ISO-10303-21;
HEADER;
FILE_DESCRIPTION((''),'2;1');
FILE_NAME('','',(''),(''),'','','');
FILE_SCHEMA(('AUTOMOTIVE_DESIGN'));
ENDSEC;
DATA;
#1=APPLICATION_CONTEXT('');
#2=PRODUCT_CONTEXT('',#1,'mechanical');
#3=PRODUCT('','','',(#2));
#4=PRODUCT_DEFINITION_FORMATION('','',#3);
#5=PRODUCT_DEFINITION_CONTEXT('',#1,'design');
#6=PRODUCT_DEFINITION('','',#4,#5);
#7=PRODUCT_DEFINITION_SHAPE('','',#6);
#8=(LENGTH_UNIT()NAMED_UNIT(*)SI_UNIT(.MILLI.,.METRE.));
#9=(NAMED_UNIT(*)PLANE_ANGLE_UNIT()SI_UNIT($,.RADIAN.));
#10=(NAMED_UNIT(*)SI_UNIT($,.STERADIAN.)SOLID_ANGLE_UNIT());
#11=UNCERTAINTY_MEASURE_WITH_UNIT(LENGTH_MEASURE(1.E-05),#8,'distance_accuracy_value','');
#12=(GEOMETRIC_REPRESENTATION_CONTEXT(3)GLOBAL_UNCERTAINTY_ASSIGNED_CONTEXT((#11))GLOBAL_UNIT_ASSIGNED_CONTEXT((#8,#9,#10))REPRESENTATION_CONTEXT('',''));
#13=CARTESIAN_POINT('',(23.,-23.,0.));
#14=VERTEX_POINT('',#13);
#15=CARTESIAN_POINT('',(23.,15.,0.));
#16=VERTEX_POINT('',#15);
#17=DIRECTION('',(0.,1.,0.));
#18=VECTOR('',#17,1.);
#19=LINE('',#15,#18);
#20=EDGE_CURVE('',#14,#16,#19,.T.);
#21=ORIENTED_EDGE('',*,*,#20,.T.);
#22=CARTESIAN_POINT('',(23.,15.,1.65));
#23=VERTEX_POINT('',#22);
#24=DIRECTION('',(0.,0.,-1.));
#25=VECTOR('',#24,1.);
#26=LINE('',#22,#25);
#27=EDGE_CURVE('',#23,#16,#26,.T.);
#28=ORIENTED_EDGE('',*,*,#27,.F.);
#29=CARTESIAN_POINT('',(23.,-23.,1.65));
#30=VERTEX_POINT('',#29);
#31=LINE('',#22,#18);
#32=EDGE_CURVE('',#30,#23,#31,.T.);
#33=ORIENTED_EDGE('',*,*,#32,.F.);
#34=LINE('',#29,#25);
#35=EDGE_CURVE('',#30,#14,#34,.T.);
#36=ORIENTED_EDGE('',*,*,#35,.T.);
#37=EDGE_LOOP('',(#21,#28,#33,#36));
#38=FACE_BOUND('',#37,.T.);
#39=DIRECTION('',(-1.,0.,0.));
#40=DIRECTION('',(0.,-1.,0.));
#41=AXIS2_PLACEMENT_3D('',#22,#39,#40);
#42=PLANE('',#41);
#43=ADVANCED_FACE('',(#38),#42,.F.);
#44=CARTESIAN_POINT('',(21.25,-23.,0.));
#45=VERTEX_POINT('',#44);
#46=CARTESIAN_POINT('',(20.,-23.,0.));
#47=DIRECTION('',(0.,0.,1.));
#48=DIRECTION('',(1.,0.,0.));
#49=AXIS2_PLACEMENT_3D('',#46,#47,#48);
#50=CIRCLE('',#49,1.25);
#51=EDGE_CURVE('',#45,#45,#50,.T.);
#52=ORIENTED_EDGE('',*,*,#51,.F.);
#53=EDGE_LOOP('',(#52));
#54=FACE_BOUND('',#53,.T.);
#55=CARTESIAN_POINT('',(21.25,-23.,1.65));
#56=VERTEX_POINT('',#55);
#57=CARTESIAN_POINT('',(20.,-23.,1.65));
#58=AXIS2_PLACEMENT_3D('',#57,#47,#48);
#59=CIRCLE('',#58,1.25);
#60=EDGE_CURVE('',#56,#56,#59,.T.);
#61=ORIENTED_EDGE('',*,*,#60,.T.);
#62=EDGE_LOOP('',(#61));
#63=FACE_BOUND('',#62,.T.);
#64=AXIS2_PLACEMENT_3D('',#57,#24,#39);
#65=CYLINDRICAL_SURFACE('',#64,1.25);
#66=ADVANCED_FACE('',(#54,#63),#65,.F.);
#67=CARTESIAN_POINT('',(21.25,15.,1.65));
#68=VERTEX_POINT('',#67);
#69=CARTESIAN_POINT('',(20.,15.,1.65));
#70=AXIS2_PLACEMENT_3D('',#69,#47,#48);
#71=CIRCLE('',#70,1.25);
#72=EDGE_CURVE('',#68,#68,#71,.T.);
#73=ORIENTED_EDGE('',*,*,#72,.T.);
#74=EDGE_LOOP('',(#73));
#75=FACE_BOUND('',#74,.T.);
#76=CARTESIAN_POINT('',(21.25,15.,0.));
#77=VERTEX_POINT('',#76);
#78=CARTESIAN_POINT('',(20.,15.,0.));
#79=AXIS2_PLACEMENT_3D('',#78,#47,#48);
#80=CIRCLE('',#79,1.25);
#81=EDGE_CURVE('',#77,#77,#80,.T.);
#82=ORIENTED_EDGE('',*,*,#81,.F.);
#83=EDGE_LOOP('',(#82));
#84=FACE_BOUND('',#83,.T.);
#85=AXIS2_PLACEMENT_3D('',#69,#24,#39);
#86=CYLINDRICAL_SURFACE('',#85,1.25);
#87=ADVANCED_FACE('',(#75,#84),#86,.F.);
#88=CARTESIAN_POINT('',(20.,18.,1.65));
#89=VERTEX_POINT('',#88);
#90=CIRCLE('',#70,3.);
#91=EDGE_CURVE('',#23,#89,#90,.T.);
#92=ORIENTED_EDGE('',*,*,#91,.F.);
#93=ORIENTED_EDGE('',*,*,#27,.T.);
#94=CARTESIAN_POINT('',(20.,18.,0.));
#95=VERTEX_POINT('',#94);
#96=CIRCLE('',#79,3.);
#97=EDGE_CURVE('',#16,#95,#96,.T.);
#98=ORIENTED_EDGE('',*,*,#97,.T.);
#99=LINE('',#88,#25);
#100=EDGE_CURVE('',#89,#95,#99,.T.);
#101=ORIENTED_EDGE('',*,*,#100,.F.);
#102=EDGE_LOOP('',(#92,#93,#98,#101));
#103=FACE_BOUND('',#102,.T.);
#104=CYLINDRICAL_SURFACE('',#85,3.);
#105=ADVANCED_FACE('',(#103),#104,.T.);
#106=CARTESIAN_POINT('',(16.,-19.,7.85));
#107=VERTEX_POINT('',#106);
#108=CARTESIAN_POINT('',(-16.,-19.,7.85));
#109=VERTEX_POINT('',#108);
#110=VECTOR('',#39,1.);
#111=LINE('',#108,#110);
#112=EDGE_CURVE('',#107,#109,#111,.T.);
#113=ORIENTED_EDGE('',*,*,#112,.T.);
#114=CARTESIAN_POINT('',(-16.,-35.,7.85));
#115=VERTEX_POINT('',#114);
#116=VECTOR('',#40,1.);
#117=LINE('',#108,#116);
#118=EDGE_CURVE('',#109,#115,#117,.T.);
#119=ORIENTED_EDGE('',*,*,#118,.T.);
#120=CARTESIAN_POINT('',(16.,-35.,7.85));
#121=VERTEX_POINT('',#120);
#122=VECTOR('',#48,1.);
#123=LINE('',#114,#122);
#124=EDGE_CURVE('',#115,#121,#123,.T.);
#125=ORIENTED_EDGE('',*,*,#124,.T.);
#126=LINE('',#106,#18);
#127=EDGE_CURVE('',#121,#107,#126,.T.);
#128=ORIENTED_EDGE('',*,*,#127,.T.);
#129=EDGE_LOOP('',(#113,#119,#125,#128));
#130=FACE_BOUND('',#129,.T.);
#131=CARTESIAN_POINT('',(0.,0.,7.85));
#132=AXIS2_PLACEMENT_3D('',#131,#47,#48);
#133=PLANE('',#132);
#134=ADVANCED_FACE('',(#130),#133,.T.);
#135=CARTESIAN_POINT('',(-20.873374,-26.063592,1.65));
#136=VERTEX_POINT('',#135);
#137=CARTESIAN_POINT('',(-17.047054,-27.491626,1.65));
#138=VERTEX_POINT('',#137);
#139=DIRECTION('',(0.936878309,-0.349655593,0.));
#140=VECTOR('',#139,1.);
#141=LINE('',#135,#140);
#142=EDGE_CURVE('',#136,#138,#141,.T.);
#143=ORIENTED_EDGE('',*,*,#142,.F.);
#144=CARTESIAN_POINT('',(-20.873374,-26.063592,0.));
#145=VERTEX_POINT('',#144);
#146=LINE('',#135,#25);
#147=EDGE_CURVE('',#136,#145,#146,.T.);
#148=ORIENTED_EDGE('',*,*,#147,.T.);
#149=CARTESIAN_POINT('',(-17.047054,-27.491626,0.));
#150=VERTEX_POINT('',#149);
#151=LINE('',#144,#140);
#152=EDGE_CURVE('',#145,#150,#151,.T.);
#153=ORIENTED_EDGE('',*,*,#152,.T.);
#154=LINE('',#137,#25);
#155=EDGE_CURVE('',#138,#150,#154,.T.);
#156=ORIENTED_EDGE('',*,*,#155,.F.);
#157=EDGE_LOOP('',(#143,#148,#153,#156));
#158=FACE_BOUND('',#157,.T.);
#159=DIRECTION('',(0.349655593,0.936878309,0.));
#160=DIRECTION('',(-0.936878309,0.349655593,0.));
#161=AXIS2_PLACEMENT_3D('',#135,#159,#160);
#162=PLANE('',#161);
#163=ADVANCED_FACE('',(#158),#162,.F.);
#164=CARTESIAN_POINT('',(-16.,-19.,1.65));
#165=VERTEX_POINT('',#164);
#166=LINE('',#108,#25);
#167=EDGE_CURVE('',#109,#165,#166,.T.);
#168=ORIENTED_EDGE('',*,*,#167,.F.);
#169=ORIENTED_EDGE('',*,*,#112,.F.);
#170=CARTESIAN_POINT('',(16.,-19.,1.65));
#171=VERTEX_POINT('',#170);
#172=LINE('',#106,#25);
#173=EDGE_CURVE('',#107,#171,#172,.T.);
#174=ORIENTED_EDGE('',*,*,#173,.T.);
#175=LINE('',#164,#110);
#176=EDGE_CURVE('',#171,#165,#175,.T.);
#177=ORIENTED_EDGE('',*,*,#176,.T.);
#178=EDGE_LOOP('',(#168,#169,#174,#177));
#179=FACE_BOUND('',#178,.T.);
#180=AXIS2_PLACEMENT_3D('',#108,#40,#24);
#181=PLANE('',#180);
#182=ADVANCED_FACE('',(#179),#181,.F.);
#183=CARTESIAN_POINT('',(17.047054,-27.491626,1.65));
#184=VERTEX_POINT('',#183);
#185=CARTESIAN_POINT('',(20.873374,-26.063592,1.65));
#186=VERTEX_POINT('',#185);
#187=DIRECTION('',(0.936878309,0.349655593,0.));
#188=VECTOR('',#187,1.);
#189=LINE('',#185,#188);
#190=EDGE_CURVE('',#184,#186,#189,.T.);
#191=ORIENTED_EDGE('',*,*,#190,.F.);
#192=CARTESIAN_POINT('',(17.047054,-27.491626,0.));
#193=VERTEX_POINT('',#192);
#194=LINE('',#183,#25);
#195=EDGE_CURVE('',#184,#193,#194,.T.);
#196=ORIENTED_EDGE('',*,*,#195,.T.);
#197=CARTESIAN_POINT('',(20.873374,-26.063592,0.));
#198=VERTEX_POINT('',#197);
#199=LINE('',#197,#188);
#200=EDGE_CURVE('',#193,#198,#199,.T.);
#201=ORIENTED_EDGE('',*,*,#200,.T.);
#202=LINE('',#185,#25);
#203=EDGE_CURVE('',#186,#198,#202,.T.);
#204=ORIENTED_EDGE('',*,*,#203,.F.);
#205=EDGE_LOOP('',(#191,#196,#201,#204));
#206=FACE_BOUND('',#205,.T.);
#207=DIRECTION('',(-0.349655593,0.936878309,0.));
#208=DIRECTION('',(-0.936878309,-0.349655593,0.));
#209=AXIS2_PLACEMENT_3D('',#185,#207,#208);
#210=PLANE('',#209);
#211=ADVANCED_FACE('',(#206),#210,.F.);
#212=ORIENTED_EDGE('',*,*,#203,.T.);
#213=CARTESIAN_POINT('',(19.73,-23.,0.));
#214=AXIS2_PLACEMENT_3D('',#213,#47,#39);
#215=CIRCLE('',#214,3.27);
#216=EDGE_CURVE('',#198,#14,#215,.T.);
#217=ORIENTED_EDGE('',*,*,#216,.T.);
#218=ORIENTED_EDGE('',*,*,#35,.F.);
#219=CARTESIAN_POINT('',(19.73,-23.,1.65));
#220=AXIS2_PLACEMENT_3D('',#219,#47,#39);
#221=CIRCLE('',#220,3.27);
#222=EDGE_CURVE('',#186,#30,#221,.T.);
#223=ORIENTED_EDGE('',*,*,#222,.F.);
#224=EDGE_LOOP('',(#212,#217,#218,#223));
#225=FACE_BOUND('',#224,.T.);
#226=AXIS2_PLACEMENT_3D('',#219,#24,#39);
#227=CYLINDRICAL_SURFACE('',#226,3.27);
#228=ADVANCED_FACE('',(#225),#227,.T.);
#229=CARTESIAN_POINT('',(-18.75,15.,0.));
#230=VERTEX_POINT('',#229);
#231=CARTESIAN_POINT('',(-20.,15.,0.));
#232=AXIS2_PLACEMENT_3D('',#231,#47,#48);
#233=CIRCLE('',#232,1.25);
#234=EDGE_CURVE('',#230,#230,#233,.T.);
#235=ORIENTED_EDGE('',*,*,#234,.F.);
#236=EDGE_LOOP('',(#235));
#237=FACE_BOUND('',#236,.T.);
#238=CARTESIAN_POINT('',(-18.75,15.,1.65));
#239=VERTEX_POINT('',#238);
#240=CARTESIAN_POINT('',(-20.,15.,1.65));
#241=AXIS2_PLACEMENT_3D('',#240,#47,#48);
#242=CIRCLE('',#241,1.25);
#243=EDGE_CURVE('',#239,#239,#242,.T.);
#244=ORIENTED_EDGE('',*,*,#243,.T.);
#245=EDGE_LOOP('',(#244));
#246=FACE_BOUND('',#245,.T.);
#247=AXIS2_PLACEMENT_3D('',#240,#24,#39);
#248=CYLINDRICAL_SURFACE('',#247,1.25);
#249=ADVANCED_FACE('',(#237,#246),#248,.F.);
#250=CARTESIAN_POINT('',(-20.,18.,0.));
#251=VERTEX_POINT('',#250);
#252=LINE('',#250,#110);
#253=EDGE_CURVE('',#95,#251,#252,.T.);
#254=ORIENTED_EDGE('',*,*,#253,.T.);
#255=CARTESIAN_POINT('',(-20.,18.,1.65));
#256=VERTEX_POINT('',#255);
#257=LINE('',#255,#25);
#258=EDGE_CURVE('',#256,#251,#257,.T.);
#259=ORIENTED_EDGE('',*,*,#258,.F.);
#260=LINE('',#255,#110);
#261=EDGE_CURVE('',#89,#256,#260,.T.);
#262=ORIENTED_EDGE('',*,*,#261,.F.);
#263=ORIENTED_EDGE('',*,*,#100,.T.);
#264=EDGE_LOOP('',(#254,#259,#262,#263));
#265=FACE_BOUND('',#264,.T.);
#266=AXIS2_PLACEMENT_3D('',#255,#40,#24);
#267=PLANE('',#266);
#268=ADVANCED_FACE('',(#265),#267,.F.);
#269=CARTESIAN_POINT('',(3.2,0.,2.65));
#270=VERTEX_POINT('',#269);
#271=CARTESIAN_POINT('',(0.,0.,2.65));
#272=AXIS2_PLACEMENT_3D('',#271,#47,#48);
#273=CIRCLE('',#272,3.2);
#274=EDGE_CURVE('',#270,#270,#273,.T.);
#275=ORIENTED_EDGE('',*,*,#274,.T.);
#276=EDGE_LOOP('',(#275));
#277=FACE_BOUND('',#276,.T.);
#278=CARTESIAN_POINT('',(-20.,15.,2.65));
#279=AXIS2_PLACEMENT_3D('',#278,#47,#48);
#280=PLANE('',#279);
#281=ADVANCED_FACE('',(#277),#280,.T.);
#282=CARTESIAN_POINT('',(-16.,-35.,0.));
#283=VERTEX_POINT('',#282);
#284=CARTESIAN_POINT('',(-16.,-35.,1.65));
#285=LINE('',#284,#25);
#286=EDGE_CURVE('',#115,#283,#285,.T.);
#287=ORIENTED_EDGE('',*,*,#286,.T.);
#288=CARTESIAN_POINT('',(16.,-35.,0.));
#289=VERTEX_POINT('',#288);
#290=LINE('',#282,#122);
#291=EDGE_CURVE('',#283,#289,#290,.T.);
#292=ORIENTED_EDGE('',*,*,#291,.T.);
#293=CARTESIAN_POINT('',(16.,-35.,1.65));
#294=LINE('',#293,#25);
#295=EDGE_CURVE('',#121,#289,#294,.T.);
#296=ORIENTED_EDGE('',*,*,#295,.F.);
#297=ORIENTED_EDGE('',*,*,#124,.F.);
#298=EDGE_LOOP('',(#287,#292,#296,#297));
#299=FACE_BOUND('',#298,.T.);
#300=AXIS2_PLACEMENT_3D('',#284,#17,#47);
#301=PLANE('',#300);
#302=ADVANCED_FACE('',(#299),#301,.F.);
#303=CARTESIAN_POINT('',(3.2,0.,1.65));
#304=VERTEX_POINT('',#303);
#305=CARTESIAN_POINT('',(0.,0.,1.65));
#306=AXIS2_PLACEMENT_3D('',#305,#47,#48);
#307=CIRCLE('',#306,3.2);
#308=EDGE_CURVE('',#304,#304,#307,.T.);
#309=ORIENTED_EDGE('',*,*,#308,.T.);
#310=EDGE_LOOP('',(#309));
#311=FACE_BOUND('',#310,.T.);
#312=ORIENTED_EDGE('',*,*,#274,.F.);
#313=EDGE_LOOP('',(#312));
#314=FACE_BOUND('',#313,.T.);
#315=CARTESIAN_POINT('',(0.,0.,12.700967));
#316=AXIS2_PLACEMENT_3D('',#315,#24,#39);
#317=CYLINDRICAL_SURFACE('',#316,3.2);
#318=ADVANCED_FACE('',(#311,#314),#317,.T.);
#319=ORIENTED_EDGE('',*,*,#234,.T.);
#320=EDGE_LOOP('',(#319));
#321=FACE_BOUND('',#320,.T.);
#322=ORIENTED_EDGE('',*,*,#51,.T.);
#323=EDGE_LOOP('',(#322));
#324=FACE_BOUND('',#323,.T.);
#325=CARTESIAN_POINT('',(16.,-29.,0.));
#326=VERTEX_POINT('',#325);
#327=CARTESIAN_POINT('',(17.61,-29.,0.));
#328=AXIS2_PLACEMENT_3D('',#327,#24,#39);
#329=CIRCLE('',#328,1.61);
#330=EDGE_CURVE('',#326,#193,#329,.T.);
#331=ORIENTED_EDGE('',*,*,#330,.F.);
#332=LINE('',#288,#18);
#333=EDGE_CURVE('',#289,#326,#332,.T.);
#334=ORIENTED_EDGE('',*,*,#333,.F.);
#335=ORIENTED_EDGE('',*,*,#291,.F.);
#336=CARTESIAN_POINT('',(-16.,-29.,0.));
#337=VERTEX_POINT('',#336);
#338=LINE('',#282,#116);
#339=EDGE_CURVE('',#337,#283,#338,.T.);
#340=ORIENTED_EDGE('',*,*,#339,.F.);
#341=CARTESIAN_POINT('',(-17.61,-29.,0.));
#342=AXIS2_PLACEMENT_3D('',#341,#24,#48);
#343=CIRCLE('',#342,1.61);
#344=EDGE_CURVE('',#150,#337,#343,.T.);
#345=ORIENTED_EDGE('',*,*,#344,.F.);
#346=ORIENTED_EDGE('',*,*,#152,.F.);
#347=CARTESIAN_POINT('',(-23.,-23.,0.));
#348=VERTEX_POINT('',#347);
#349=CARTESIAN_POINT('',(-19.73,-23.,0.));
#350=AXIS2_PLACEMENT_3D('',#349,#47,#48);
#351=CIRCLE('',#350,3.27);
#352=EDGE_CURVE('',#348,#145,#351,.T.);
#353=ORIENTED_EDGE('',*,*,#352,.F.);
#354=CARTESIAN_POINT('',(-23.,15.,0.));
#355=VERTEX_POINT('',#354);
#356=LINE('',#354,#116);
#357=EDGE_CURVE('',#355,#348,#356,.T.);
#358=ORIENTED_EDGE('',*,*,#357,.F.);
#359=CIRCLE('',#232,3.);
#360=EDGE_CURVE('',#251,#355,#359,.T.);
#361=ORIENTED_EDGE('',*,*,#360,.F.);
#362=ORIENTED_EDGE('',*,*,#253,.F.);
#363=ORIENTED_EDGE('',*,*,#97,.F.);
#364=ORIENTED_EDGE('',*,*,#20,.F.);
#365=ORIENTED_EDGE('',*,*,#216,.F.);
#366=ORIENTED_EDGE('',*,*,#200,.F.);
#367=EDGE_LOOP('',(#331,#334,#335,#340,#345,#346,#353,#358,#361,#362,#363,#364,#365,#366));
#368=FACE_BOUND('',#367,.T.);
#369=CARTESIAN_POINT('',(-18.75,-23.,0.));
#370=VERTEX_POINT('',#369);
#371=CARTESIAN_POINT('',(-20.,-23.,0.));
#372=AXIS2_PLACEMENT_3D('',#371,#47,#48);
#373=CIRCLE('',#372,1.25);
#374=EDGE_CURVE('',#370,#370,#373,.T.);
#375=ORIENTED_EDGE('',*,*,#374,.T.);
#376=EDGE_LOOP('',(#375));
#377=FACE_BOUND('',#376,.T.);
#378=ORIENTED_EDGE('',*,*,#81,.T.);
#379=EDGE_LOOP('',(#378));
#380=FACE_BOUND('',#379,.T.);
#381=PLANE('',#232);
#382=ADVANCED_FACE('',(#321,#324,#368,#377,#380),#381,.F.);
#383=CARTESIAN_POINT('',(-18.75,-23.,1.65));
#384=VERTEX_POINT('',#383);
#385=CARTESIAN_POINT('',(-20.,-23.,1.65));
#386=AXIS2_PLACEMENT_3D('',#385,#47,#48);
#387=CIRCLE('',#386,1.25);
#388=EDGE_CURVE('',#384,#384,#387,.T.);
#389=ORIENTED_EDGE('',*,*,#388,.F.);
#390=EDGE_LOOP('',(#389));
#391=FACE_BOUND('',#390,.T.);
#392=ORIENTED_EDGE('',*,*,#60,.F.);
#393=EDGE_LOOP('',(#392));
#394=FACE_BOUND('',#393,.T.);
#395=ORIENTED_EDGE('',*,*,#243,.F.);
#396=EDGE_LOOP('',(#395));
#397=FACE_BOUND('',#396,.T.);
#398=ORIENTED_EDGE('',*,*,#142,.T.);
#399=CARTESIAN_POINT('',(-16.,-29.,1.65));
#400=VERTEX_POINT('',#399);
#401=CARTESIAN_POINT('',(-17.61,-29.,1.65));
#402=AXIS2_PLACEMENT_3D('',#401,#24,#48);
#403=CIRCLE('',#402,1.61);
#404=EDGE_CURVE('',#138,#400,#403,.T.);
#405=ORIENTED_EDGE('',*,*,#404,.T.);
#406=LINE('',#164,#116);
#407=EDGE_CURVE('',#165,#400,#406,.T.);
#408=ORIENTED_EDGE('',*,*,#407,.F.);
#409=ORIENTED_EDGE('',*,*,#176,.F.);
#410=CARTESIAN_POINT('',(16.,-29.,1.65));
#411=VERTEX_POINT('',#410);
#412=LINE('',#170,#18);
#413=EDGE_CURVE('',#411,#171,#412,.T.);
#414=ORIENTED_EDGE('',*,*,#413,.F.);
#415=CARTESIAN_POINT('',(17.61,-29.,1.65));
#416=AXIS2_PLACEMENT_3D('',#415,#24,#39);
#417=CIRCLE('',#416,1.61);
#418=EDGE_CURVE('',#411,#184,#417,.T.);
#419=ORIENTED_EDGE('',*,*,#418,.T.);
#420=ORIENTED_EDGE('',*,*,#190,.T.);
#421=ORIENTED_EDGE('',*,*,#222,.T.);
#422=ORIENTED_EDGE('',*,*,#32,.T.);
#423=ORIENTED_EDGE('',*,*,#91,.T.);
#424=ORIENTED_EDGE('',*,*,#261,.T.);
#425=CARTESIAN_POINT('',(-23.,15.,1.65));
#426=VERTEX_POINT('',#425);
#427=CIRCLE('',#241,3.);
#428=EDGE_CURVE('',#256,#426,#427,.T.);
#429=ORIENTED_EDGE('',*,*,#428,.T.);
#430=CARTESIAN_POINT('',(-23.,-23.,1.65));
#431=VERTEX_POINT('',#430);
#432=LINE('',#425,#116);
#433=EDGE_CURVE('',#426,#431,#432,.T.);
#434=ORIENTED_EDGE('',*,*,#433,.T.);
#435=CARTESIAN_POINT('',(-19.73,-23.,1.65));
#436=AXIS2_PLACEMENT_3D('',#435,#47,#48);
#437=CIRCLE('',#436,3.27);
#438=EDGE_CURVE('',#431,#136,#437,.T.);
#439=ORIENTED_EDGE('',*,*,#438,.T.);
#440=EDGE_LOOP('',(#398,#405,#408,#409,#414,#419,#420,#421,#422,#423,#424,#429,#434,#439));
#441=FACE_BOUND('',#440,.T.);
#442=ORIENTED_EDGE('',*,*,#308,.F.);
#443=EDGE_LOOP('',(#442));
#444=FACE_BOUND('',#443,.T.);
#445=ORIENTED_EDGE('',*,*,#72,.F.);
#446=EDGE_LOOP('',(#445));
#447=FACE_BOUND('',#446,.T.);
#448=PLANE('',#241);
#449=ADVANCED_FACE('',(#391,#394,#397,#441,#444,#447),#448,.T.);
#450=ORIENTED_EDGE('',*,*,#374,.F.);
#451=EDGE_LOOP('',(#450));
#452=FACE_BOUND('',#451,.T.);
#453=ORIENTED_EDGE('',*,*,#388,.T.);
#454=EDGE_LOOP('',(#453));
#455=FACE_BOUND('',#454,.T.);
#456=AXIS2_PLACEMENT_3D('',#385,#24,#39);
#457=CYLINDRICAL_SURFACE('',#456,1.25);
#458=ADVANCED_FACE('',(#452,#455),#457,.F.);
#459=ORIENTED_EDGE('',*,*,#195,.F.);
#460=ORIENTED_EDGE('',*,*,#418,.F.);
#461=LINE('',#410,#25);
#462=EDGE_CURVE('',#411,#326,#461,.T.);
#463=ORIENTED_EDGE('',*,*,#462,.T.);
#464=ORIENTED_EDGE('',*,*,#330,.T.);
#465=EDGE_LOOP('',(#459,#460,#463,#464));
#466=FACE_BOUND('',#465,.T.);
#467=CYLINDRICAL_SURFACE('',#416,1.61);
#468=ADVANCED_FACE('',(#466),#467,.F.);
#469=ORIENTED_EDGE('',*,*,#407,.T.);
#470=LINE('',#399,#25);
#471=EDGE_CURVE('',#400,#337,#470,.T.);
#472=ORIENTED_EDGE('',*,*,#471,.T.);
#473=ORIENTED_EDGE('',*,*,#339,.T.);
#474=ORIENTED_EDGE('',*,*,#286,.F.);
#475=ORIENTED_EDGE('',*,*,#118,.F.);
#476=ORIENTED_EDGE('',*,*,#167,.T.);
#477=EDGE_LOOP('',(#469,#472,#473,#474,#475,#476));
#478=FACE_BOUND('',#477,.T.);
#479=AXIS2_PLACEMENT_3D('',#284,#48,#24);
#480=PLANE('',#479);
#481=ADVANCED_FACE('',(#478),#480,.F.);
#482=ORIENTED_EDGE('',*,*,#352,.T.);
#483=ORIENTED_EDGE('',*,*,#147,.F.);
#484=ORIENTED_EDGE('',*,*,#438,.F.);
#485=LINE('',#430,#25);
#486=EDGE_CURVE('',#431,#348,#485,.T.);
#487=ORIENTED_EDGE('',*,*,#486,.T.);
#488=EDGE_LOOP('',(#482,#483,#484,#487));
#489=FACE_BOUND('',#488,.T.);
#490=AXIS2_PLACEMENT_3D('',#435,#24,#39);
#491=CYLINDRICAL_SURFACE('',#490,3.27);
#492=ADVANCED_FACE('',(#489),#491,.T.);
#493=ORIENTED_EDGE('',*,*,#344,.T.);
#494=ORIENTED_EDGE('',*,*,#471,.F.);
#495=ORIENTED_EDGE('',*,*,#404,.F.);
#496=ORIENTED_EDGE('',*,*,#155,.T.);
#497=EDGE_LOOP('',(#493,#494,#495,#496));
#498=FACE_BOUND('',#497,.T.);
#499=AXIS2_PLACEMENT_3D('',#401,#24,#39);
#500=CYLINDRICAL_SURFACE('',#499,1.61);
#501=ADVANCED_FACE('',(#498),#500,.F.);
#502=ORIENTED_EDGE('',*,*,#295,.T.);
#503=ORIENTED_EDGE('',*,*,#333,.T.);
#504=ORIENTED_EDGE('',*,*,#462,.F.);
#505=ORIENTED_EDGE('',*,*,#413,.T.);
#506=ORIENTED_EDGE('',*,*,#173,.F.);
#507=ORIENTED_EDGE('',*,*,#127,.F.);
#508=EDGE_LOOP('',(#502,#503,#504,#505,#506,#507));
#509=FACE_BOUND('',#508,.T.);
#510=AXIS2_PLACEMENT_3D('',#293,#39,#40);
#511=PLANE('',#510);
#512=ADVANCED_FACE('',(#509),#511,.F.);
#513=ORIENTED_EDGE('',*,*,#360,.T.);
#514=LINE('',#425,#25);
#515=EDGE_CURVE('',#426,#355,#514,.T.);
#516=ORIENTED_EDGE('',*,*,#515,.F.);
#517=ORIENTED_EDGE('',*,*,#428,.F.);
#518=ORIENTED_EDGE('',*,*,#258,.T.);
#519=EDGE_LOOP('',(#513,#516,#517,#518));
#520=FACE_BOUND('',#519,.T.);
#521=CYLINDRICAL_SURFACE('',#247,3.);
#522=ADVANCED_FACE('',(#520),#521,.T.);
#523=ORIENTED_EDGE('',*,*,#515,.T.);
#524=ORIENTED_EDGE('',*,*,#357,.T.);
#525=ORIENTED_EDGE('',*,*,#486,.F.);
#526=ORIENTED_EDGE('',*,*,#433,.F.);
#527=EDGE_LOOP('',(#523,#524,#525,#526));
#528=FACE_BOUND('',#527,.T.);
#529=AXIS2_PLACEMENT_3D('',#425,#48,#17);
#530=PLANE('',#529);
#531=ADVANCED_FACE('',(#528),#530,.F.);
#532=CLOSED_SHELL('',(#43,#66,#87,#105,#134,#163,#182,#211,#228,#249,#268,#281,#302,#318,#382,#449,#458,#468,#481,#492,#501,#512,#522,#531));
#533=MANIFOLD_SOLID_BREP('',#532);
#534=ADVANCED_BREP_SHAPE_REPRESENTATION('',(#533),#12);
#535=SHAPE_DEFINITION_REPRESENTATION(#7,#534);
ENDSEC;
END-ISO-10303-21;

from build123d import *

# Parameters (mm, degrees)
SKETCH1_R           = 3.2
SKETCH1_R_2         = 1.25
BOSS_EXTRUDE1_DEPTH = 1.65
SKETCH2_W           = 32
SKETCH2_H           = 16
BOSS_EXTRUDE2_DEPTH = 6.2
SKETCH1_2_R         = 3.2
BOSS_EXTRUDE3_DEPTH = 2.65


with BuildPart() as part:
    # Sketch1 → Boss-Extrude1 (new body)
    with BuildSketch(Plane.XY):
        with BuildLine():
            Line((-20, 18), (20, 18))
            ThreePointArc((20, 18), (22.121320344, 17.121320344), (23, 15))
            Line((23, 15), (23, -23))
            ThreePointArc((23, -23), (22.416236427, -24.864680631), (20.873373788, -26.063592072))
            Line((20.873373788, -26.063592072), (17.047054496, -27.491625922))
            ThreePointArc((17.047054496, -27.491625922), (16.287418762, -28.081915652), (16, -29))
            Line((16, -29), (16, -35))
            Line((16, -35), (-16, -35))
            Line((-16, -35), (-16, -29))
            ThreePointArc((-16, -29), (-16.287418762, -28.081915652), (-17.047054496, -27.491625922))
            Line((-17.047054496, -27.491625922), (-20.873373788, -26.063592072))
            ThreePointArc((-20.873373788, -26.063592072), (-22.416236427, -24.864680631), (-23, -23))
            Line((-23, -23), (-23, 15))
            ThreePointArc((-23, 15), (-22.121320344, 17.121320344), (-20, 18))
        make_face()
        Circle(SKETCH1_R, mode=Mode.SUBTRACT)
        with Locations((20, 15)):
            Circle(SKETCH1_R_2, mode=Mode.SUBTRACT)
        with Locations((-20, 15)):
            Circle(SKETCH1_R_2, mode=Mode.SUBTRACT)
        with Locations((-20, -23)):
            Circle(SKETCH1_R_2, mode=Mode.SUBTRACT)
        with Locations((20, -23)):
            Circle(SKETCH1_R_2, mode=Mode.SUBTRACT)
    extrude(amount=BOSS_EXTRUDE1_DEPTH)

    # Sketch2 → Boss-Extrude2 (add)
    with BuildSketch(Plane.XY.offset(1.65)):
        with Locations((0, -27)):
            Rectangle(SKETCH2_W, SKETCH2_H)
    extrude(amount=BOSS_EXTRUDE2_DEPTH)

    # Sketch1<2> → Boss-Extrude3 (add)
    with BuildSketch(Plane.XY):
        Circle(SKETCH1_2_R)
    extrude(amount=BOSS_EXTRUDE3_DEPTH)


solid = part.part
